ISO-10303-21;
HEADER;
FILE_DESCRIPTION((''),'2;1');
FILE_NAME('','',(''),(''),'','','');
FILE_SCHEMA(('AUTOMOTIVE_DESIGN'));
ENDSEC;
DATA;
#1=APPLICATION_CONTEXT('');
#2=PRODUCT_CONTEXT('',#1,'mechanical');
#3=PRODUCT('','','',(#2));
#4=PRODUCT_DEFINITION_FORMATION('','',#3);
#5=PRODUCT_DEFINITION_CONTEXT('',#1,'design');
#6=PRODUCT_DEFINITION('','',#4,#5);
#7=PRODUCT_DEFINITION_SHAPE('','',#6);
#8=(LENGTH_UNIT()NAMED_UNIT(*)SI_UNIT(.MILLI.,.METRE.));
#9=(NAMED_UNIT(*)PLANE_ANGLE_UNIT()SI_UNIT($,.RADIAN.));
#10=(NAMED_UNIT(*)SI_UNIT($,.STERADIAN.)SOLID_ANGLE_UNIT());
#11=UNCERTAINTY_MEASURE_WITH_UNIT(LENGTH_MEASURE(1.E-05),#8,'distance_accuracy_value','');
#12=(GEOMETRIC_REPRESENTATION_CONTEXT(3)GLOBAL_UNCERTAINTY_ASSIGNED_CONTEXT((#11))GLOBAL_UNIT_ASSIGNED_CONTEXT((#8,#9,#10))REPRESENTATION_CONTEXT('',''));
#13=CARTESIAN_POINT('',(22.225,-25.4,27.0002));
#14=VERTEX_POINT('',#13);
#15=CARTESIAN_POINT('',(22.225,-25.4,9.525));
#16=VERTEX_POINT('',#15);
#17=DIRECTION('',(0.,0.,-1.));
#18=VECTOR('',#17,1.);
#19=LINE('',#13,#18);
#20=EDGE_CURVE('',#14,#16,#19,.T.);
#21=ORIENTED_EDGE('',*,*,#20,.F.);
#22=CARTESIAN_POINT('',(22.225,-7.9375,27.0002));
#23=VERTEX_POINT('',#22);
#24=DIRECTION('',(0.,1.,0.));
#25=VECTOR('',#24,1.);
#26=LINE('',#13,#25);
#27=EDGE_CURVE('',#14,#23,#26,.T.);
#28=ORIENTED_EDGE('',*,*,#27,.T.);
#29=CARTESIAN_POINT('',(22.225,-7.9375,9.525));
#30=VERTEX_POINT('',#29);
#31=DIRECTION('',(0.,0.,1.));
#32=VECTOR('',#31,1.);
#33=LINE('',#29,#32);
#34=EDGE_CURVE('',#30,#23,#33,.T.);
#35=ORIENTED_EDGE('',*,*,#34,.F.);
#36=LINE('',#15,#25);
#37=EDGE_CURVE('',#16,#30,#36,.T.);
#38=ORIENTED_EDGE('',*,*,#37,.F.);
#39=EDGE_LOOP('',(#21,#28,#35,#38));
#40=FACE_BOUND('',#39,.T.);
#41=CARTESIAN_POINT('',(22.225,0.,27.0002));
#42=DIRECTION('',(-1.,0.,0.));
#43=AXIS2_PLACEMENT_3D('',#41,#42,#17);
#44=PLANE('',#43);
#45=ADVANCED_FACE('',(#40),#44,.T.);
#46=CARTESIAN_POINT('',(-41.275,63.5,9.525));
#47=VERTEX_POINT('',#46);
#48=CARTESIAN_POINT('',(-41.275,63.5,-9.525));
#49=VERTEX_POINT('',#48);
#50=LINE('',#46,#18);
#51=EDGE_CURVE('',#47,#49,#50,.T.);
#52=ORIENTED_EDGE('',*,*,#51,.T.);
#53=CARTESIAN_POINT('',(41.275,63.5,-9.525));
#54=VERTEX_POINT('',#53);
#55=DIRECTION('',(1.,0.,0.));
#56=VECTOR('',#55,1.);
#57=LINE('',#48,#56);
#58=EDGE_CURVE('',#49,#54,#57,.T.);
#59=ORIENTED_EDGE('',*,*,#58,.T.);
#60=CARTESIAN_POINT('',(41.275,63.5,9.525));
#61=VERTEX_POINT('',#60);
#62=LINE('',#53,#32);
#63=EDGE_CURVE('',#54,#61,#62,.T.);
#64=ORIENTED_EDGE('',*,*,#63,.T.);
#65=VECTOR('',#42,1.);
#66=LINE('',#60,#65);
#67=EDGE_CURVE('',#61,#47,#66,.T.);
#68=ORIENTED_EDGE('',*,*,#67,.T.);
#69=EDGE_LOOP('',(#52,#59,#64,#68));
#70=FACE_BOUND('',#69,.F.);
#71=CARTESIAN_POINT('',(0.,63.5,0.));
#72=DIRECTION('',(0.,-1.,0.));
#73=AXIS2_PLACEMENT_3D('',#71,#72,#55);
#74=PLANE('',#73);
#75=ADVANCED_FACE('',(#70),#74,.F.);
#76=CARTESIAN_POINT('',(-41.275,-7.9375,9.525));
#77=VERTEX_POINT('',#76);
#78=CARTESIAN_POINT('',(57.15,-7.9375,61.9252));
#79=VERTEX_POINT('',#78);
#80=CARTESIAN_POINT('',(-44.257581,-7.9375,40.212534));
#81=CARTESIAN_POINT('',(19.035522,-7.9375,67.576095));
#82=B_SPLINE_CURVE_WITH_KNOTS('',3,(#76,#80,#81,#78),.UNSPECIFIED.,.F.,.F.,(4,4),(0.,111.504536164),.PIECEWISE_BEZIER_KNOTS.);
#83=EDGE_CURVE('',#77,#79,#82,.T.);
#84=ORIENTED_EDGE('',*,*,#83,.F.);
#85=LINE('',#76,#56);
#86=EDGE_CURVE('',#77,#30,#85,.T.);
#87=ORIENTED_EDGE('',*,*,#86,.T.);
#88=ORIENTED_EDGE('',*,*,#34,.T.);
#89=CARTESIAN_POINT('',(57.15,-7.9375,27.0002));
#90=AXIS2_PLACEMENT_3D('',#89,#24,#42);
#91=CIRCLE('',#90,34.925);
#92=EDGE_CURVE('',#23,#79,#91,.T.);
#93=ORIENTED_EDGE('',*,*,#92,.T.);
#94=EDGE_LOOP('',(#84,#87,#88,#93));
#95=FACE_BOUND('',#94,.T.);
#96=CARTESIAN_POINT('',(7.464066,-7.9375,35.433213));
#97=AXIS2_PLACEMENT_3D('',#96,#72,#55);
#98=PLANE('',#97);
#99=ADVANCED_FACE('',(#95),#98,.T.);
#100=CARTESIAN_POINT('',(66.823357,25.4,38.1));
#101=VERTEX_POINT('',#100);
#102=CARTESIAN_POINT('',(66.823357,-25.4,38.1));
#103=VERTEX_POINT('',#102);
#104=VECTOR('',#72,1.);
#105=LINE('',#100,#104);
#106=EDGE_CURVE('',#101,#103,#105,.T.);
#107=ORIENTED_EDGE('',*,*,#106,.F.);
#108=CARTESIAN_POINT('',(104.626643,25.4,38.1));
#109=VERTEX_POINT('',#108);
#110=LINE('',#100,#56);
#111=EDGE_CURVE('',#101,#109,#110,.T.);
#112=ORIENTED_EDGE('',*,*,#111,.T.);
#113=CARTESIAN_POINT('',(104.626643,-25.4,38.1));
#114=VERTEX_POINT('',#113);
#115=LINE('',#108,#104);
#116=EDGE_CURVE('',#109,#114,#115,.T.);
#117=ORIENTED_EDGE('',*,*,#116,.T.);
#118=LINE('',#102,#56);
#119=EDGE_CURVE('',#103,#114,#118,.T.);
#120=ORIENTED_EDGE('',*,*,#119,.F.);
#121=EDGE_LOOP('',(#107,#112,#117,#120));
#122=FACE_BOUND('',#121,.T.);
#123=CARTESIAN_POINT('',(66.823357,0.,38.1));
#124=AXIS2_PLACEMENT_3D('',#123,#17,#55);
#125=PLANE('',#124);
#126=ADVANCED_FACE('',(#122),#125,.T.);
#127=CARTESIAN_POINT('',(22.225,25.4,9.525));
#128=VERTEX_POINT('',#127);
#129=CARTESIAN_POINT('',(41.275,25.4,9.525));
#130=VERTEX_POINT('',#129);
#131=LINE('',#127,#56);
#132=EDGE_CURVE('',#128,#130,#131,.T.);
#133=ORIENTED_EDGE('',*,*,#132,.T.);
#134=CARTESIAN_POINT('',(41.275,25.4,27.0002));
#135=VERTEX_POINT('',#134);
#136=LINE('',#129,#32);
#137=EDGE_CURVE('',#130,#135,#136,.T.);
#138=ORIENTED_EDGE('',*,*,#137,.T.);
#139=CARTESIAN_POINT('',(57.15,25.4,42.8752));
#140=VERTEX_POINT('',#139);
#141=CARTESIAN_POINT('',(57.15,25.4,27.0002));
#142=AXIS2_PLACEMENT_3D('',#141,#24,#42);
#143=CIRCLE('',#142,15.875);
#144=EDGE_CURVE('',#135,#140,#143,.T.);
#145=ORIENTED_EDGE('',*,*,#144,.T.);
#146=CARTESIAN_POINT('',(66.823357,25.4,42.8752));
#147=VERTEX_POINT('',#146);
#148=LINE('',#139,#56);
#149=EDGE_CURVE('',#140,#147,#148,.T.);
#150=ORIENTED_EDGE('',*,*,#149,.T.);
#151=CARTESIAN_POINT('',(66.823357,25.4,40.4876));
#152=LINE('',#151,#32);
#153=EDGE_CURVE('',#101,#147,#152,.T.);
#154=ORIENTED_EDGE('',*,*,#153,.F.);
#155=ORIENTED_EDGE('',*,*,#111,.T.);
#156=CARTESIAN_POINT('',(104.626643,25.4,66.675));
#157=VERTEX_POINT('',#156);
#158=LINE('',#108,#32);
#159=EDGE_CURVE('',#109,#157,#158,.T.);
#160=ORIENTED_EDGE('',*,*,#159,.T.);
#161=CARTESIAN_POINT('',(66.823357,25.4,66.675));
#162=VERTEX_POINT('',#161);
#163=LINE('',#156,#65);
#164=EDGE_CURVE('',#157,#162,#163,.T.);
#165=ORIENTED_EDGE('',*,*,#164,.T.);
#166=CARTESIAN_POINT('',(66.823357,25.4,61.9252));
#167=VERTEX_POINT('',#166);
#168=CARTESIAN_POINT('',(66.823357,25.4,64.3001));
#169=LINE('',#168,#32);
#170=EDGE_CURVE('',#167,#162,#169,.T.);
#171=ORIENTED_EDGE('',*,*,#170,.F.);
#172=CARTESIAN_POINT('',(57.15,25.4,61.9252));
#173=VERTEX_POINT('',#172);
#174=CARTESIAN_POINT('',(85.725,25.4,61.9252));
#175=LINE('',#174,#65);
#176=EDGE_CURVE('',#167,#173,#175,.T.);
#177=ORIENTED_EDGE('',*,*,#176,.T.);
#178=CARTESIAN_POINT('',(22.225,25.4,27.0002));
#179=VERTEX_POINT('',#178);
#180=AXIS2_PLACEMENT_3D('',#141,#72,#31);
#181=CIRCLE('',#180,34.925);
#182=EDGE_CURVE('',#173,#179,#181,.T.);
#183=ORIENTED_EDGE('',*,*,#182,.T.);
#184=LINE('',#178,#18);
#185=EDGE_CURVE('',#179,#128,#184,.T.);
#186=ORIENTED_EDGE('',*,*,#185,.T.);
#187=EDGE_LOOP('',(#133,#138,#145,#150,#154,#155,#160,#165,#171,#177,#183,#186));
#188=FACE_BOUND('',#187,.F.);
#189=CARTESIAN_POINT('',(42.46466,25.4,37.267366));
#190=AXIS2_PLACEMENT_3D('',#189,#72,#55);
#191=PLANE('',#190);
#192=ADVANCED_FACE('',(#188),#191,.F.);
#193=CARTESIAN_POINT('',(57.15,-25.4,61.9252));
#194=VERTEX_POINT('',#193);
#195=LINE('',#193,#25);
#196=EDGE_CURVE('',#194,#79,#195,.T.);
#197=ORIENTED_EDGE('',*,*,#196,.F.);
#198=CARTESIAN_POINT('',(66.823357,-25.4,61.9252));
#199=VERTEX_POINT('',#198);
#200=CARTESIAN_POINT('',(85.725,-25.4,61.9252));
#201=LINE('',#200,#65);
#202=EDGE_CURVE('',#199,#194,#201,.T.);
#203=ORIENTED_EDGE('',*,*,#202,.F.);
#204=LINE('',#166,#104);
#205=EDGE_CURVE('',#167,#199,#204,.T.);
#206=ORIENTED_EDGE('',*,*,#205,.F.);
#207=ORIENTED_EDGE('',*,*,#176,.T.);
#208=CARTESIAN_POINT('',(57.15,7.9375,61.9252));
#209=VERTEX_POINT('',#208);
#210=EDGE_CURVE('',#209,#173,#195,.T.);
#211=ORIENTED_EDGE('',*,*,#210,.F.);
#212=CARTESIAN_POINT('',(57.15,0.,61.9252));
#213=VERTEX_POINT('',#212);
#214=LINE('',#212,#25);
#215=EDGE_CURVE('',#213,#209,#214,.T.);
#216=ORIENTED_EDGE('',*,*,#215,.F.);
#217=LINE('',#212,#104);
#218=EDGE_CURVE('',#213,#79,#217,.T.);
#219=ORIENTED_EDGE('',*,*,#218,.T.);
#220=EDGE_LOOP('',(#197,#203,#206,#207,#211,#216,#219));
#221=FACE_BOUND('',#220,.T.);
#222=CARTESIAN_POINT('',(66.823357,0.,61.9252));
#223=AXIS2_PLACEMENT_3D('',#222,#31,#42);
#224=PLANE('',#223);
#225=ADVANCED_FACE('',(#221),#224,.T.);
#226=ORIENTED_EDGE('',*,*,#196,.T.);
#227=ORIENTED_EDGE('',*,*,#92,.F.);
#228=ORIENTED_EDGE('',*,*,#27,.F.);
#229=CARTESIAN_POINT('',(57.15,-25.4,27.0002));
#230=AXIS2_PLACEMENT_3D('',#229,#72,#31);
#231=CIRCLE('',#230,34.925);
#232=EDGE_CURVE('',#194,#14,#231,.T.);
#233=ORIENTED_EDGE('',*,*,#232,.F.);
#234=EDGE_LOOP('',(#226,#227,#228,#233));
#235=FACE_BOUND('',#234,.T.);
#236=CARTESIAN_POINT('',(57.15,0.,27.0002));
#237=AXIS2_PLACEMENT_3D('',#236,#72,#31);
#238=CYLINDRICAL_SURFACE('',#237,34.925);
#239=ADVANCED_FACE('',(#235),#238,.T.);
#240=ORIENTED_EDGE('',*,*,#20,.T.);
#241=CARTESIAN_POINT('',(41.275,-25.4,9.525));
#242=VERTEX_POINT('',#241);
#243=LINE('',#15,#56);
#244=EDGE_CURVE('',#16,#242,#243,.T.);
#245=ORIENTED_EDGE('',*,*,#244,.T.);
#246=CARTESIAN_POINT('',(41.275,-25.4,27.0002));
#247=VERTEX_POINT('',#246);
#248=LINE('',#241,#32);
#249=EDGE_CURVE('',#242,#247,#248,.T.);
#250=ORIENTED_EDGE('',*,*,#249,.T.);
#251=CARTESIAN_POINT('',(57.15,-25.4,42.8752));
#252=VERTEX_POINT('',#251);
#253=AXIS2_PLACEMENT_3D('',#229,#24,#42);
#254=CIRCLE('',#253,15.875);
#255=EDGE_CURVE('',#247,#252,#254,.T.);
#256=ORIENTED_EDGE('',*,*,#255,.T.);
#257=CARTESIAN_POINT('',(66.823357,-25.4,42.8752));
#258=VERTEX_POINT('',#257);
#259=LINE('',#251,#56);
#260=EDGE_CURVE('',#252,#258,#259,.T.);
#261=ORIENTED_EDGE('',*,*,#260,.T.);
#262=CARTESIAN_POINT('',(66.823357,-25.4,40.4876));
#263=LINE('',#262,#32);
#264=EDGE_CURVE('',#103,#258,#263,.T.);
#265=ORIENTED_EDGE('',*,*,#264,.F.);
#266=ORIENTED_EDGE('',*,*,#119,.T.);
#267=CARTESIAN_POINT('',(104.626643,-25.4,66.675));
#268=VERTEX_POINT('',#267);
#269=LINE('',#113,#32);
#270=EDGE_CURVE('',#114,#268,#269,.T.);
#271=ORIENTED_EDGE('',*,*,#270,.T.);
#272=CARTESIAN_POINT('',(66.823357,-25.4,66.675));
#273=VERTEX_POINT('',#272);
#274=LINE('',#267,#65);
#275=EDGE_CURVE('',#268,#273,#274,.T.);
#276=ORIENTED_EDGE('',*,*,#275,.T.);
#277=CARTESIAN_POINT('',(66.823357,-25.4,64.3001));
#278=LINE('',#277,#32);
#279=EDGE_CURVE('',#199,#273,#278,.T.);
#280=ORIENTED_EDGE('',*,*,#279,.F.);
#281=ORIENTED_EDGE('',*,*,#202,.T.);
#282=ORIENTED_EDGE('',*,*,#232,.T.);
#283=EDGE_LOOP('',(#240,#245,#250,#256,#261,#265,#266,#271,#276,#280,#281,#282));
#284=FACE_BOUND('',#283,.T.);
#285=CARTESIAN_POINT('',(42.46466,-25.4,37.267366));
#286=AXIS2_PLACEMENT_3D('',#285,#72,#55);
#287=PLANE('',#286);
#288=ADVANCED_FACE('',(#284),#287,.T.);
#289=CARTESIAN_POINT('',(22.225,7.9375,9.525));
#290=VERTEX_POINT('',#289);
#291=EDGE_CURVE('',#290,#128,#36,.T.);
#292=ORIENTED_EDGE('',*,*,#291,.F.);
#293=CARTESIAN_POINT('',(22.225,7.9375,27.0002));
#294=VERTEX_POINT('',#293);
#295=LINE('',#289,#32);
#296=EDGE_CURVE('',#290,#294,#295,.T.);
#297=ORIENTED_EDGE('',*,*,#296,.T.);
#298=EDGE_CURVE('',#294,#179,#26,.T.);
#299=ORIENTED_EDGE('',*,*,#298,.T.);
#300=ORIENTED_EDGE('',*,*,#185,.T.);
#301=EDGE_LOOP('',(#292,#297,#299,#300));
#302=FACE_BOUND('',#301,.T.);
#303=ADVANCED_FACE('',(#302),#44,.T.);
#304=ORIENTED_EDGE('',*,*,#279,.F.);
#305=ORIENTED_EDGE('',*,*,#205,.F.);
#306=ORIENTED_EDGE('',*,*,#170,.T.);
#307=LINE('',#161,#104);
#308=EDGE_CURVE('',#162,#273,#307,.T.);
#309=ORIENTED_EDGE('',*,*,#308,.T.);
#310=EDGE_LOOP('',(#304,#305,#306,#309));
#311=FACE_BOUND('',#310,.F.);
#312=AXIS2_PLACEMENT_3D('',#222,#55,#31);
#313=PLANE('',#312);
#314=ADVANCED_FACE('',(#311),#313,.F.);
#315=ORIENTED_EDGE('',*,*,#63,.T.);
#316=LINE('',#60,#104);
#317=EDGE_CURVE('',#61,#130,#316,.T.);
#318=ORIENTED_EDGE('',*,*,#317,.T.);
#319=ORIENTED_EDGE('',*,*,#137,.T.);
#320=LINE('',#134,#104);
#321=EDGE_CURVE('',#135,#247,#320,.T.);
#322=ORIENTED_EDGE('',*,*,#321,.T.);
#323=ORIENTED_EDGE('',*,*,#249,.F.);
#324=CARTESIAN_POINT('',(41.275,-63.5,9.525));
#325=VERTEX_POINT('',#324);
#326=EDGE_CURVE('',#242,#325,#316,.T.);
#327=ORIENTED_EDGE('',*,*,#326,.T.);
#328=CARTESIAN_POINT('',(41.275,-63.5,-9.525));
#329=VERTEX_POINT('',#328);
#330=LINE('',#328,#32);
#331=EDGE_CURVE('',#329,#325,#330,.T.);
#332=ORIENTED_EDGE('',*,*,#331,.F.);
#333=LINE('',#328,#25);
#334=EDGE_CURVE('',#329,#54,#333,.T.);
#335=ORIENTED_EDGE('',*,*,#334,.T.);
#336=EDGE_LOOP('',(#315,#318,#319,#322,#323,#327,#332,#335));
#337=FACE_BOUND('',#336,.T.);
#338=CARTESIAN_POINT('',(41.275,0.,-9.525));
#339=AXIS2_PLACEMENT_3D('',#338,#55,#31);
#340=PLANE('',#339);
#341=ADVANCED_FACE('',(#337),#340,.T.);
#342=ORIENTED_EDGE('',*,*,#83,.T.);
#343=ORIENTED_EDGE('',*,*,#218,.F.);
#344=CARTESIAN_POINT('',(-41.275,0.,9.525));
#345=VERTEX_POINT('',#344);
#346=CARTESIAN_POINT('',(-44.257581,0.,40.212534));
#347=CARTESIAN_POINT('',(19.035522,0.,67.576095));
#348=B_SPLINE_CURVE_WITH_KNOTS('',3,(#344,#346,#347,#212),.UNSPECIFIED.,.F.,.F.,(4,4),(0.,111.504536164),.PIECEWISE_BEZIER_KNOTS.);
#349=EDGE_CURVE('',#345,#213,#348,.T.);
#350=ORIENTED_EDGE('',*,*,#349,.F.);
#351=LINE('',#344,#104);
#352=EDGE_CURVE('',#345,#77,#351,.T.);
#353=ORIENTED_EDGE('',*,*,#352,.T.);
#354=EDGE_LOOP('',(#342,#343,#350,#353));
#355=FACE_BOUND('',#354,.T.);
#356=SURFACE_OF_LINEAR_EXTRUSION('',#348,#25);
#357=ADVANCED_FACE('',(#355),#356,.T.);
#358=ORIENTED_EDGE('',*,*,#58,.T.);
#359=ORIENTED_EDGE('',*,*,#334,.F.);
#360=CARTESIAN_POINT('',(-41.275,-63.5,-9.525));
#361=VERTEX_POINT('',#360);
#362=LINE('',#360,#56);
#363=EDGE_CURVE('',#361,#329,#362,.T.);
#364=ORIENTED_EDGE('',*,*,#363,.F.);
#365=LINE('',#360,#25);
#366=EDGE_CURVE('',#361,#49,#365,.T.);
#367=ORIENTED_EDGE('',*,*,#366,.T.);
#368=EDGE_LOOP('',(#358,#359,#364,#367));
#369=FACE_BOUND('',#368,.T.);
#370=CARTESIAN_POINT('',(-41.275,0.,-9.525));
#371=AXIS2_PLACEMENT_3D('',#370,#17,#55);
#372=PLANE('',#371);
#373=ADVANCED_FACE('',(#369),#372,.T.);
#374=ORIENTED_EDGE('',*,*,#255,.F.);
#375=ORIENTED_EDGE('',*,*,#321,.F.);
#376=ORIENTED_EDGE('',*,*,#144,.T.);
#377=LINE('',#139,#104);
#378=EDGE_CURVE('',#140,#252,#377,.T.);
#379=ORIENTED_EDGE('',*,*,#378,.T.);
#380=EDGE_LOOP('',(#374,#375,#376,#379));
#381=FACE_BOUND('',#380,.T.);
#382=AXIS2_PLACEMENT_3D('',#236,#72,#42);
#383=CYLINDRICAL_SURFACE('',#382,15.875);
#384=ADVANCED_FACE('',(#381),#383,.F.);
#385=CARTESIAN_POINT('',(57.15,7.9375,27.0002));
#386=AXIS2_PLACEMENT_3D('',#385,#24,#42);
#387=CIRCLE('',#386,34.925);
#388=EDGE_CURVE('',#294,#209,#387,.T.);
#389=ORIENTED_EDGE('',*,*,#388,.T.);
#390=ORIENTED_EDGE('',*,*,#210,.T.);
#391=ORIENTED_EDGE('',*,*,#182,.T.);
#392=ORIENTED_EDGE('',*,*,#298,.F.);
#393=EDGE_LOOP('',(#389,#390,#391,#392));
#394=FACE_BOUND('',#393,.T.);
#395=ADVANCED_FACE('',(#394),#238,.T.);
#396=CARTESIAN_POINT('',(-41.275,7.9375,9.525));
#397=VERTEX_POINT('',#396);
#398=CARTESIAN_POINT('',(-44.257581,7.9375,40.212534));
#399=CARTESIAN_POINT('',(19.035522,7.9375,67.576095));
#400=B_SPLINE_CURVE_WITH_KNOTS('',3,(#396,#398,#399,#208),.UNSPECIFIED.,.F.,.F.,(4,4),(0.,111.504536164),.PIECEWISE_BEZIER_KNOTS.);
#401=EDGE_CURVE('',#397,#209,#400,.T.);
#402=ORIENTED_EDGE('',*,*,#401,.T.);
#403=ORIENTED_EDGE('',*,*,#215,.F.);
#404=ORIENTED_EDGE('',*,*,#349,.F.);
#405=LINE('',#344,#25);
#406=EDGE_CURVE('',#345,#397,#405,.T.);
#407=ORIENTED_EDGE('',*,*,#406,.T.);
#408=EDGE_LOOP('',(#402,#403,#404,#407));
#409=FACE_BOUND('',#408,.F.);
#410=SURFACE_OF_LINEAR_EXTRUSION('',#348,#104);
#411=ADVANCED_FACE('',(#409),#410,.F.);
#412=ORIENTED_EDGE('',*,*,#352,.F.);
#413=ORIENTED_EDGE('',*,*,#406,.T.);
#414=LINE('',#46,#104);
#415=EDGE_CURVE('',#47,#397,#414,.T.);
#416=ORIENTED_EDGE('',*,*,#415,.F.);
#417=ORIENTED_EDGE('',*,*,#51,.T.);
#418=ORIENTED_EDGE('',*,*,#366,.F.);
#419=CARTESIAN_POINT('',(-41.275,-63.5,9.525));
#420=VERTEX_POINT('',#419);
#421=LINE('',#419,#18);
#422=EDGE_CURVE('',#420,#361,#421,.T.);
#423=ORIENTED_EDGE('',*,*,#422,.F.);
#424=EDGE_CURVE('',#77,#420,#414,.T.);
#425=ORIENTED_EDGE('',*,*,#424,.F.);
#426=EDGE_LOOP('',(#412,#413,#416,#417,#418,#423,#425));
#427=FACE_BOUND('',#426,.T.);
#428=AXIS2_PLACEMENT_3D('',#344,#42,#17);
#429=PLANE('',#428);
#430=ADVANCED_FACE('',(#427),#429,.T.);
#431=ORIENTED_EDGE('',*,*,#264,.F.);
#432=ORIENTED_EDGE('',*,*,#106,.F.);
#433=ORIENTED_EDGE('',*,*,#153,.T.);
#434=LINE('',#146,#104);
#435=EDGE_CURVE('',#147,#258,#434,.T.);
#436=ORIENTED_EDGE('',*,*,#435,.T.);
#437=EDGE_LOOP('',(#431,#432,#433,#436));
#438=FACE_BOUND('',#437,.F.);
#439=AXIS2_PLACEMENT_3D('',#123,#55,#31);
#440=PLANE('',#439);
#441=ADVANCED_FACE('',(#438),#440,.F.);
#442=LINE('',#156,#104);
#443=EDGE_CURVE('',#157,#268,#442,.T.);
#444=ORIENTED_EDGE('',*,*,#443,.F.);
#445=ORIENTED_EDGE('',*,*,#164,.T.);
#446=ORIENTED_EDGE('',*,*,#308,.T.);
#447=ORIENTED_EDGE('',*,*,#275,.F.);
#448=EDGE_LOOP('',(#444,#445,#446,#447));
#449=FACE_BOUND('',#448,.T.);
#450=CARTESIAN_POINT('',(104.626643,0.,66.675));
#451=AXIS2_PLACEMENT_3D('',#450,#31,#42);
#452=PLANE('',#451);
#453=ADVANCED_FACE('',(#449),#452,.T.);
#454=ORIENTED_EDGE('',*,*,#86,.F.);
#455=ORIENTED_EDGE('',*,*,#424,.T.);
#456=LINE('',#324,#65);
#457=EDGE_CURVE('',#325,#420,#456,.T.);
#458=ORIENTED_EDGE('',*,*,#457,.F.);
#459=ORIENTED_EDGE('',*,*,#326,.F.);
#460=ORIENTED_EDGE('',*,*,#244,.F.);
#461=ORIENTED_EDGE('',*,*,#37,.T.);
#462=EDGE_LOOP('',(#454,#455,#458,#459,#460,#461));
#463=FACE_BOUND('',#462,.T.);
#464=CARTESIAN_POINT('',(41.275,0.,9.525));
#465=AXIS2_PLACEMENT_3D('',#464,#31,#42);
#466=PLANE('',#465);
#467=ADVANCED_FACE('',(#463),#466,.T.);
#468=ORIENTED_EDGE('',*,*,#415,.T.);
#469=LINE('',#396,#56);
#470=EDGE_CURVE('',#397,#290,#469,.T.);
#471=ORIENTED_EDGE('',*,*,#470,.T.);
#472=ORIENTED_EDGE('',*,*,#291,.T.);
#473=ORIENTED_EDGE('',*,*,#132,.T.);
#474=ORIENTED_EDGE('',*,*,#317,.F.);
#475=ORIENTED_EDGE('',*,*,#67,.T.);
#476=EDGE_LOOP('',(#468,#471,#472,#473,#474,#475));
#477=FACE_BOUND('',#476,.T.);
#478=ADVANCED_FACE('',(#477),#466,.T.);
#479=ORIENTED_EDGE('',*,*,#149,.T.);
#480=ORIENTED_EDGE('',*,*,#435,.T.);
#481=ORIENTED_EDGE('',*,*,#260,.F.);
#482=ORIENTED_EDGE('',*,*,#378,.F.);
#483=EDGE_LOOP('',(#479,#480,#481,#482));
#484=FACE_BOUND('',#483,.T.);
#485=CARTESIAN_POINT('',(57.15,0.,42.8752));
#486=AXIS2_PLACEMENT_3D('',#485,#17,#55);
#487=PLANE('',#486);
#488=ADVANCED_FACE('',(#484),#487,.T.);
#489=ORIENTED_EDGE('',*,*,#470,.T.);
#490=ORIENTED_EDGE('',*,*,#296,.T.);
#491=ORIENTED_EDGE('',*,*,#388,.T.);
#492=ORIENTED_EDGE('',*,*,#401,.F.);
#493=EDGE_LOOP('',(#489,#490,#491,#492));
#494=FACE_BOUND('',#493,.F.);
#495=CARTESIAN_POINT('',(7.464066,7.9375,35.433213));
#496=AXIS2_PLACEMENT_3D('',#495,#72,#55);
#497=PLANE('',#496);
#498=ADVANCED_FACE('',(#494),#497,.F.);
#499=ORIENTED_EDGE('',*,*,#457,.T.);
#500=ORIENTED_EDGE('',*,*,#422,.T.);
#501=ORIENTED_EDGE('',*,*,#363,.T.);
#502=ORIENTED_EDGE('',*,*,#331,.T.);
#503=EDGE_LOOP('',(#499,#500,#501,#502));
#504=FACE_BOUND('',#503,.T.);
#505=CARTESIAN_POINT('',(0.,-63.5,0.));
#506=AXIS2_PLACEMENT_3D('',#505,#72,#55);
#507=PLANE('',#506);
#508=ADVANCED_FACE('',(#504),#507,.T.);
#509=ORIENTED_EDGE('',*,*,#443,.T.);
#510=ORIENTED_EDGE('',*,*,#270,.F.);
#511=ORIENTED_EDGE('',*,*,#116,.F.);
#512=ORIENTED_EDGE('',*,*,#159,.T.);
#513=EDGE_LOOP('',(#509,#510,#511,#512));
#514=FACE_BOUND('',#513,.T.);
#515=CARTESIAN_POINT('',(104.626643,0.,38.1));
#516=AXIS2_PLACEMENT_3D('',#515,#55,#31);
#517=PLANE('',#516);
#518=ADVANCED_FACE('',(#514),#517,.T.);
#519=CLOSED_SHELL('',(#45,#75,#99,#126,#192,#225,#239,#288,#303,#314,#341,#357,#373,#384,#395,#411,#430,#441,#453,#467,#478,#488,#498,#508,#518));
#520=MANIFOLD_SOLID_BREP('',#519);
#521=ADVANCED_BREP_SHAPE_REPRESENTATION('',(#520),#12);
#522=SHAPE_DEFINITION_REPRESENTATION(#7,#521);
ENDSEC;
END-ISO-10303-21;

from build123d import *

# Parameters (mm, degrees)
F1_DEPTH = 63.5
F0_W     = 18.9016429644
F0_H     = 19.05
F0_H_2   = 4.7498
F0_H_3   = 4.7752
F2_DEPTH = 25.4
F3_DEPTH = 7.9375


with BuildPart() as f1:
    # F0 (on Front) → F1 (new body, symmetric)
    with BuildSketch(Plane.XZ):
        Polygon((41.275, -9.525), (41.275, 9.525), (22.225, 9.525), (-41.275, 9.525), (-41.275, -9.525), align=None)
    extrude(amount=F1_DEPTH, both=True)

    # F0 (on Front) → F2 (join, symmetric)
    with BuildSketch(Plane.XZ):
        with BuildLine():
            Line((22.225, 9.525), (41.275, 9.525))
            Line((41.275, 9.525), (41.275, 27.0002))
            ThreePointArc((41.275, 27.0002), (45.9246798487, 38.2255201513), (57.15, 42.8752))
            Line((57.15, 42.8752), (66.8233570356, 42.8752))
            Line((66.8233570356, 42.8752), (66.8233570356, 61.9252))
            Line((66.8233570356, 61.9252), (57.15, 61.9252))
            ThreePointArc((57.15, 61.9252), (32.4542956671, 51.6959043329), (22.225, 27.0002))
            Line((22.225, 27.0002), (22.225, 9.525))
        make_face()
        with Locations((76.2741785178, 52.4002)):
            Rectangle(F0_W, F0_H)
        Polygon((85.725, 61.9252), (85.725, 42.8752), (85.725, 38.1), (104.6266429644, 38.1), (104.6266429644, 66.675), (85.725, 66.675), align=None)
        with Locations((76.2741785178, 64.3001)):
            Rectangle(F0_W, F0_H_2)
        with Locations((76.2741785178, 40.4876)):
            Rectangle(F0_W, F0_H_3)
    extrude(amount=F2_DEPTH, both=True)

    # F0 (on Front) → F3 (join, symmetric)
    with BuildSketch(Plane.XZ):
        with BuildLine():
            Line((-41.275, 9.525), (22.225, 9.525))
            Line((22.225, 9.525), (22.225, 27.0002))
            ThreePointArc((22.225, 27.0002), (32.4542956671, 51.6959043329), (57.15, 61.9252))
            add(Edge.make_bspline(
                [(-41.275, 9.525), (-44.257581234, 40.212534368), (19.0355218947, 67.5760954618), (57.15, 61.9252)],
                knots=[0, 0, 0, 0, 111.5045361635, 111.5045361635, 111.5045361635, 111.5045361635], degree=3))
        make_face()
    extrude(amount=F3_DEPTH, both=True)


solid = f1.part
